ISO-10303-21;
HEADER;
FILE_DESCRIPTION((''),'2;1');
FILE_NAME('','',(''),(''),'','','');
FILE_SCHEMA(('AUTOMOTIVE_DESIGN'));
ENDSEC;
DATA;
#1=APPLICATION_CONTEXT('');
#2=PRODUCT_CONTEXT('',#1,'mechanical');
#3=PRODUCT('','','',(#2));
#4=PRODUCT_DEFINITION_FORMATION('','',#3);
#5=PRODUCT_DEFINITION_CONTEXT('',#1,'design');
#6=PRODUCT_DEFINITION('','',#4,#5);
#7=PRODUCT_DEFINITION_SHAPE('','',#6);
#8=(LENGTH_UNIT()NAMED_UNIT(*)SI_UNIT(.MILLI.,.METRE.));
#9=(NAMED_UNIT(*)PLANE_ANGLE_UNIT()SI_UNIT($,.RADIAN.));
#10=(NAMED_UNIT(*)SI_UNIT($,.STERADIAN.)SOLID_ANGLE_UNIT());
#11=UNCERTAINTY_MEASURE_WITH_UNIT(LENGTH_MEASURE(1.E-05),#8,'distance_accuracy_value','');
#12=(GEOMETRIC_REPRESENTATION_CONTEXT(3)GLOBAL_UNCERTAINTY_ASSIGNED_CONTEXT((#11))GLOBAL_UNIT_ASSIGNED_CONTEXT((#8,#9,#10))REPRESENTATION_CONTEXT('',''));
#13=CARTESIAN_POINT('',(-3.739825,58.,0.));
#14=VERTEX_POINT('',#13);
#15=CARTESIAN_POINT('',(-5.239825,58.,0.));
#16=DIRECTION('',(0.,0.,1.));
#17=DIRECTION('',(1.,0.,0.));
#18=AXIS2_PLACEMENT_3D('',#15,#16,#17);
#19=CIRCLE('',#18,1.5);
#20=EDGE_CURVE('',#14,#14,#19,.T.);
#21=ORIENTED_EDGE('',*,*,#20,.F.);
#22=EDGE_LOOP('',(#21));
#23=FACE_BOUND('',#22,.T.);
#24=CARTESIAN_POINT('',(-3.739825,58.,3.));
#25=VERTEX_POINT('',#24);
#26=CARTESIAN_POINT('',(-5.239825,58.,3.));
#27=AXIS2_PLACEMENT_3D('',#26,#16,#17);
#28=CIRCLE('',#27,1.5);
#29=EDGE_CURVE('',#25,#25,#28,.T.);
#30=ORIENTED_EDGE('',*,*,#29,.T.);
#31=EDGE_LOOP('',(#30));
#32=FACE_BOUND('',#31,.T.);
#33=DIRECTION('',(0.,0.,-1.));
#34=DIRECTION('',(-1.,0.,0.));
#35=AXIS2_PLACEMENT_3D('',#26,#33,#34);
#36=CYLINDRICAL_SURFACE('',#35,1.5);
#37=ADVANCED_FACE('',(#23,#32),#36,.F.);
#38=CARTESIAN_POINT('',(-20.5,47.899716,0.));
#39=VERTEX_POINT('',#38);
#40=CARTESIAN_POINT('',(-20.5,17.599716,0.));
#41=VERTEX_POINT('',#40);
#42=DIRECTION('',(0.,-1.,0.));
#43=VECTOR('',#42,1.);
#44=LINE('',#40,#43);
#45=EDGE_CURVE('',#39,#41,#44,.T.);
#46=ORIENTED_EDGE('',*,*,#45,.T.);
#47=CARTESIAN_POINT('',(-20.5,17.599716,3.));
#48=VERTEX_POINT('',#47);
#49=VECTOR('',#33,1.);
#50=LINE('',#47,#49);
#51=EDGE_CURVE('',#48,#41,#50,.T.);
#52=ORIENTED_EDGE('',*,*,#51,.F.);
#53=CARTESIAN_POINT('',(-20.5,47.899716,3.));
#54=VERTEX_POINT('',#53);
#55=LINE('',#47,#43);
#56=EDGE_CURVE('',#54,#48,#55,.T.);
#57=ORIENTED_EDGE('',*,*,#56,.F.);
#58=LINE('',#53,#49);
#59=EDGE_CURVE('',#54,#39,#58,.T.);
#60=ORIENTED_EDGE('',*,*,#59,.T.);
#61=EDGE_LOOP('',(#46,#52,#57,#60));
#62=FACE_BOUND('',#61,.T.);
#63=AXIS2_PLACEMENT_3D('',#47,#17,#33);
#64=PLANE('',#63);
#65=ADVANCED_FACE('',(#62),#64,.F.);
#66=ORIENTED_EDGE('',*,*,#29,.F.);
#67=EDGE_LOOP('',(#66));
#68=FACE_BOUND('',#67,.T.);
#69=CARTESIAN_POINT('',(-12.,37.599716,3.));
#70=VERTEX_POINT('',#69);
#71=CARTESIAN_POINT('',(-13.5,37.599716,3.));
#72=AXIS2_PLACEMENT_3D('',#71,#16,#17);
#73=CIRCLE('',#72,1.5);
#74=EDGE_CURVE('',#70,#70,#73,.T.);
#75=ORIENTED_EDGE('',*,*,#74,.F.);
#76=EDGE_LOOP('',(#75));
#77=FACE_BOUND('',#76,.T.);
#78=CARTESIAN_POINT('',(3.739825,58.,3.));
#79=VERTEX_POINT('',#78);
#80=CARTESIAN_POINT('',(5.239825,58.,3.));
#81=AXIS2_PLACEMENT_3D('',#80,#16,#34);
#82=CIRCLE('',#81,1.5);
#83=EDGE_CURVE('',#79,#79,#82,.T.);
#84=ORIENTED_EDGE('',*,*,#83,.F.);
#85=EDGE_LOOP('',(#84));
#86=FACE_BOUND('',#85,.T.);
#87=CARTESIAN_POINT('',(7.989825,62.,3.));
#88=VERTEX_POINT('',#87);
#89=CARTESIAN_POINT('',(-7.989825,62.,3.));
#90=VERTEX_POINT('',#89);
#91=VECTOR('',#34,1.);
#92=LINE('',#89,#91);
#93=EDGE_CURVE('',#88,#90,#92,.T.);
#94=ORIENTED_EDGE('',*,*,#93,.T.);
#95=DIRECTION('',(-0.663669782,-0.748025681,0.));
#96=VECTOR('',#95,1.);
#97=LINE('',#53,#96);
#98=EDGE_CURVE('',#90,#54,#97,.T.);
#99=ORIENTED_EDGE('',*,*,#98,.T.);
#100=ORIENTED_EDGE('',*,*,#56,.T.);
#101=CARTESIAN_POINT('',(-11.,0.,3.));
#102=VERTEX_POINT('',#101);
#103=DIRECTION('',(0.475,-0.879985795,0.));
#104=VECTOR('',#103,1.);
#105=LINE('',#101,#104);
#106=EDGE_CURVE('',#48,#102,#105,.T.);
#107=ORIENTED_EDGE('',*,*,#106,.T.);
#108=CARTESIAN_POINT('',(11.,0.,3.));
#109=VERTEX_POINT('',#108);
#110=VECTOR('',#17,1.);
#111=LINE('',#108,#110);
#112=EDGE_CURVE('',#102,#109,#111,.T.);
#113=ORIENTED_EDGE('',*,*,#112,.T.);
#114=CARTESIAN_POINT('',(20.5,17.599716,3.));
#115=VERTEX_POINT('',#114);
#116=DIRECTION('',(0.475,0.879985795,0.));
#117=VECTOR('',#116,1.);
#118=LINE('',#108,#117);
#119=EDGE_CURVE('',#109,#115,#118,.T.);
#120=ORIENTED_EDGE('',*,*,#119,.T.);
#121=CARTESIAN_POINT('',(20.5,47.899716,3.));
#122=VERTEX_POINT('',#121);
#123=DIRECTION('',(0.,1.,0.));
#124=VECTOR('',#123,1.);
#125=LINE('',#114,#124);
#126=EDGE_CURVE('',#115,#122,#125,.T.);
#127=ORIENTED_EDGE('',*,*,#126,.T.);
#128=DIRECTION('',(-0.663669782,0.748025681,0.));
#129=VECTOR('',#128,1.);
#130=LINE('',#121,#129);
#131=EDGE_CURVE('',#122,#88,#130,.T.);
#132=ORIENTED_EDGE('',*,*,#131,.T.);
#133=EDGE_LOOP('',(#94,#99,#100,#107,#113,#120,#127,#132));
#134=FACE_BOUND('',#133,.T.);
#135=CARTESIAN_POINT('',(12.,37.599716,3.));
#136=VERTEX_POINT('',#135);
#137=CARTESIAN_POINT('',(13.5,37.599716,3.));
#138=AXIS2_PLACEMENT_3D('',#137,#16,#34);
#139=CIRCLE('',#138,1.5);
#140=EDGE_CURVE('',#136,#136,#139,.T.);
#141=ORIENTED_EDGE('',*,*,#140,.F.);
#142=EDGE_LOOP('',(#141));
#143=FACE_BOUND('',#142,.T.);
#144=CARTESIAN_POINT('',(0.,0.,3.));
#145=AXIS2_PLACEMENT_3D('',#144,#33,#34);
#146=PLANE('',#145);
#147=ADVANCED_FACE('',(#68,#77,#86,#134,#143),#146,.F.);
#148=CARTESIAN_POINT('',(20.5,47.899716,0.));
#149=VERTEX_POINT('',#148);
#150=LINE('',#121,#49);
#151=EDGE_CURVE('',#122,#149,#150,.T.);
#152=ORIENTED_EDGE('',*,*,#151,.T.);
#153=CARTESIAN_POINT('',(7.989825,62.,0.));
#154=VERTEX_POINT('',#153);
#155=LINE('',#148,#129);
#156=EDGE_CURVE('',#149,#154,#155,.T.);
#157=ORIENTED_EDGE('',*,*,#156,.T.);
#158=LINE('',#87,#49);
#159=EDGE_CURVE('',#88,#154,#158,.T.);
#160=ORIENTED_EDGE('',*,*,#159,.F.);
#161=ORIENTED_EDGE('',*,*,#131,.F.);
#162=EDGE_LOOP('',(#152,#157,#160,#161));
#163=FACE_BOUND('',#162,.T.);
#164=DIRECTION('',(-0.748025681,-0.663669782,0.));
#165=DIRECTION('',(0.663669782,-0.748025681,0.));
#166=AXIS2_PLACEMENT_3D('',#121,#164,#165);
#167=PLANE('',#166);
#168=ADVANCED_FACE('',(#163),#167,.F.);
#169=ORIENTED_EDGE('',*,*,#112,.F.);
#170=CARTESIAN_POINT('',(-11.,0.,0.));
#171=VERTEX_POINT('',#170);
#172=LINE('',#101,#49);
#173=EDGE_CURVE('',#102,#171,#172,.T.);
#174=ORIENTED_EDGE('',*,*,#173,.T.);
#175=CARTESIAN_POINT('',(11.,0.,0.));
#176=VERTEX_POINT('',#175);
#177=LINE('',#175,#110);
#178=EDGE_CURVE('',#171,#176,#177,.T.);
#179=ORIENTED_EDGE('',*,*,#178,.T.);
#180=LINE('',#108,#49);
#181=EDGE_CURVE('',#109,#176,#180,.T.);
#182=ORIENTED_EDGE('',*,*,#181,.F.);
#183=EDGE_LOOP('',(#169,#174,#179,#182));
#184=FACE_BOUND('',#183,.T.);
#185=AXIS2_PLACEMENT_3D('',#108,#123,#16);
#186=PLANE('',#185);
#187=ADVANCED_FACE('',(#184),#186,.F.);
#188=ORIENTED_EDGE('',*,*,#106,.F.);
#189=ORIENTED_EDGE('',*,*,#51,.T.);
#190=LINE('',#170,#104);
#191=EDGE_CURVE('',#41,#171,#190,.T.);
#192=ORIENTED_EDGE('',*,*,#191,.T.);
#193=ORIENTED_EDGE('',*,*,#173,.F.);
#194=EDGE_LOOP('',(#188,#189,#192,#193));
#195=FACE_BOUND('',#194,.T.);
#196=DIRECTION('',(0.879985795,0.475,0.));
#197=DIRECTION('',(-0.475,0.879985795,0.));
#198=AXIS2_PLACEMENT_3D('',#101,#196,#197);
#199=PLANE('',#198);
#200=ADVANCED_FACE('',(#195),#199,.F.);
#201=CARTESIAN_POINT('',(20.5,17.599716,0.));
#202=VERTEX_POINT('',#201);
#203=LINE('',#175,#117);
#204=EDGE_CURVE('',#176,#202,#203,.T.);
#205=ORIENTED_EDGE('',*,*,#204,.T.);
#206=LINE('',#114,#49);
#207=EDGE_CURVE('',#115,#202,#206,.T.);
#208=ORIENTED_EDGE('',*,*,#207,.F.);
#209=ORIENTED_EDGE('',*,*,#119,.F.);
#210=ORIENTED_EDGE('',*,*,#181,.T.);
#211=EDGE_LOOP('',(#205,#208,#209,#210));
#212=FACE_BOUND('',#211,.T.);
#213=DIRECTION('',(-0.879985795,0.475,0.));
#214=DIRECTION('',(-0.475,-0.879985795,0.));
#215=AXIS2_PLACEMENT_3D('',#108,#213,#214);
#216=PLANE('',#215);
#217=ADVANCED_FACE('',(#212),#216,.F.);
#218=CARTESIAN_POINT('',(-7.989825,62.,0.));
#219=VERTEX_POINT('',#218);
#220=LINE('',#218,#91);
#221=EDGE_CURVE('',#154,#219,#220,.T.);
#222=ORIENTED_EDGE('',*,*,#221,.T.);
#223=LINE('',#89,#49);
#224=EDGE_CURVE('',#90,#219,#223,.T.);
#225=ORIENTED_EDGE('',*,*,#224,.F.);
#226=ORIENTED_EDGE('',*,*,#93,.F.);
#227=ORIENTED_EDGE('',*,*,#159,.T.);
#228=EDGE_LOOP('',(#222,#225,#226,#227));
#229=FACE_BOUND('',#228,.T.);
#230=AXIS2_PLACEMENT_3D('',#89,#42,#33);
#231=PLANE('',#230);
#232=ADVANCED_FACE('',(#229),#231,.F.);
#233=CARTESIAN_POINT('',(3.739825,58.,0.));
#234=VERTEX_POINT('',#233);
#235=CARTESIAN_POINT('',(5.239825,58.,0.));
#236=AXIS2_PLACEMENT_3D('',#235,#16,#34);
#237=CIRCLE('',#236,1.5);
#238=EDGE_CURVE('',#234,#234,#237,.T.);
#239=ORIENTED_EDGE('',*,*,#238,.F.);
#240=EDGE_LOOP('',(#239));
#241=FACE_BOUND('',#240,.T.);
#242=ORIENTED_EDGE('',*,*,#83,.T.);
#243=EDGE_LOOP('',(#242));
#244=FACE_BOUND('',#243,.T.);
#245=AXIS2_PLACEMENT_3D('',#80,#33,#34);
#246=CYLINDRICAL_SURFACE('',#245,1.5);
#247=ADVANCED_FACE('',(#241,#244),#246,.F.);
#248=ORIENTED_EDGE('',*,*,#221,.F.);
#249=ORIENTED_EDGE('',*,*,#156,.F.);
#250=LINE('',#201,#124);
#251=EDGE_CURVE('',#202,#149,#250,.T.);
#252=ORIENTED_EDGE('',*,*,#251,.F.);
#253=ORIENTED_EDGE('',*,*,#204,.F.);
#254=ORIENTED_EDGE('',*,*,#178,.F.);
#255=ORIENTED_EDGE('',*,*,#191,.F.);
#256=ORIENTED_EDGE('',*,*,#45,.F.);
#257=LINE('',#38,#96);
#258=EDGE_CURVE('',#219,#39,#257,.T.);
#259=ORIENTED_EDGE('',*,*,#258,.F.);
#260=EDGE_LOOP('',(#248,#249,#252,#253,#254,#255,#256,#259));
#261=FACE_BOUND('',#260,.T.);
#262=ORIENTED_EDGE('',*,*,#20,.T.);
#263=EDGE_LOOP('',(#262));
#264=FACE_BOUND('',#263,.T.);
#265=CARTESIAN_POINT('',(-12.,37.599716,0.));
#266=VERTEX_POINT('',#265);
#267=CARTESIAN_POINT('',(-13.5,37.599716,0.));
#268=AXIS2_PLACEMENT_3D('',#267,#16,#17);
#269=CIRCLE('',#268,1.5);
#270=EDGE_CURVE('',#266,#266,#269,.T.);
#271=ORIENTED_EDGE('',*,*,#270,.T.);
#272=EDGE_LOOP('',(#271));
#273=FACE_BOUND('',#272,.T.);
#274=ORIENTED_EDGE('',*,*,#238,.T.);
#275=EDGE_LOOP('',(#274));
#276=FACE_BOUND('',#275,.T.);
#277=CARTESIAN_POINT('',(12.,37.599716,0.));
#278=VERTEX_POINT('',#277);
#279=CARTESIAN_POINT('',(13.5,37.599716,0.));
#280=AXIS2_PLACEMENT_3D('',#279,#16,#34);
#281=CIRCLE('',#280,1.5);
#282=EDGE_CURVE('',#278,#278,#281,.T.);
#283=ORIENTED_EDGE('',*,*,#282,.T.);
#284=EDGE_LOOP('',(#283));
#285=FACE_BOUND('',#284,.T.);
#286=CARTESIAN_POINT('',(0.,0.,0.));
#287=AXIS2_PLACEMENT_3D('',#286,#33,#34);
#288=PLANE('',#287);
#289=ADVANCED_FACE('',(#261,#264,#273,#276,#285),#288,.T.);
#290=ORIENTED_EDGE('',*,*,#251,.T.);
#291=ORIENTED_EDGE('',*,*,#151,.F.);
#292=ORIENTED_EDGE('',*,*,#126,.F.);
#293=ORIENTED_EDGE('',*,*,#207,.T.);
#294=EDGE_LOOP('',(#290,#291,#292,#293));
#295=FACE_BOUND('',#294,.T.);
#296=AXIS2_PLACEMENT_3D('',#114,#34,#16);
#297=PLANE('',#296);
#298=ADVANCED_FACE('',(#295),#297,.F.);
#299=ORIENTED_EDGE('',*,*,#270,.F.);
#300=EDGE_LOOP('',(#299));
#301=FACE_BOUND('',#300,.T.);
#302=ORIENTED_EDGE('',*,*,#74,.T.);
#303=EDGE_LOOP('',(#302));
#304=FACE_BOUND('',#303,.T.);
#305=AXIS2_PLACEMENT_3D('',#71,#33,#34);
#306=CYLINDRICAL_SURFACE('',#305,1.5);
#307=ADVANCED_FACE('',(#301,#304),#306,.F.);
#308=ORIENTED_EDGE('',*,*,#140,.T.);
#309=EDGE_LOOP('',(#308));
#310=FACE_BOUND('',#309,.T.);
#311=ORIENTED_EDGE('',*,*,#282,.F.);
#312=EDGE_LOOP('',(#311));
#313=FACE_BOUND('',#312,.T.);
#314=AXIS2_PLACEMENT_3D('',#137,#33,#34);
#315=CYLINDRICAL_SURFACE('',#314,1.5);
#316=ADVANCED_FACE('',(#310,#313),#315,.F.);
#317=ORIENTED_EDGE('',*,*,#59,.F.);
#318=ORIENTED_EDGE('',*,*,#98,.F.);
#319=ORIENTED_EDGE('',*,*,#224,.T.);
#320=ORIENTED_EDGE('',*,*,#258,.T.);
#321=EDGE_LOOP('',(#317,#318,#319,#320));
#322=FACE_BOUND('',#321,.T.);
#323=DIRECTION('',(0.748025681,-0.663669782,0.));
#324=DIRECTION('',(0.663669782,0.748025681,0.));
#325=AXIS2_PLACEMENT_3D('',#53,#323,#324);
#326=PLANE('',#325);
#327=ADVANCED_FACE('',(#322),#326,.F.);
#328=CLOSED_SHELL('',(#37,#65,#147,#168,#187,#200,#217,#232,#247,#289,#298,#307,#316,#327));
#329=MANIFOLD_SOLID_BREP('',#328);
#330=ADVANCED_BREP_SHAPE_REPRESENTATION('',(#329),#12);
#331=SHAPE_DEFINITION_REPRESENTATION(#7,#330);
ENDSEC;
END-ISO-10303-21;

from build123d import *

# Parameters (mm, degrees)
SKETCH_1_R      = 1.5
EXTRUDE_1_DEPTH = 3


with BuildPart() as part:
    # 草图1 → 凸台-拉伸1 (new body)
    with BuildSketch(Plane.XY):
        Polygon((11, 0), (-11, 0), (-20.5, 17.599715907), (-20.5, 47.899715907), (-7.989824602, 62), (7.989824602, 62), (20.5, 47.899715907), (20.5, 17.599715907), align=None)
        with Locations((-5.239824602, 58)):
            Circle(SKETCH_1_R, mode=Mode.SUBTRACT)
        with Locations((-13.5, 37.599715907)):
            Circle(SKETCH_1_R, mode=Mode.SUBTRACT)
        with Locations((13.5, 37.599715907)):
            Circle(SKETCH_1_R, mode=Mode.SUBTRACT)
        with Locations((5.239824602, 58)):
            Circle(SKETCH_1_R, mode=Mode.SUBTRACT)
    extrude(amount=EXTRUDE_1_DEPTH)


solid = part.part
